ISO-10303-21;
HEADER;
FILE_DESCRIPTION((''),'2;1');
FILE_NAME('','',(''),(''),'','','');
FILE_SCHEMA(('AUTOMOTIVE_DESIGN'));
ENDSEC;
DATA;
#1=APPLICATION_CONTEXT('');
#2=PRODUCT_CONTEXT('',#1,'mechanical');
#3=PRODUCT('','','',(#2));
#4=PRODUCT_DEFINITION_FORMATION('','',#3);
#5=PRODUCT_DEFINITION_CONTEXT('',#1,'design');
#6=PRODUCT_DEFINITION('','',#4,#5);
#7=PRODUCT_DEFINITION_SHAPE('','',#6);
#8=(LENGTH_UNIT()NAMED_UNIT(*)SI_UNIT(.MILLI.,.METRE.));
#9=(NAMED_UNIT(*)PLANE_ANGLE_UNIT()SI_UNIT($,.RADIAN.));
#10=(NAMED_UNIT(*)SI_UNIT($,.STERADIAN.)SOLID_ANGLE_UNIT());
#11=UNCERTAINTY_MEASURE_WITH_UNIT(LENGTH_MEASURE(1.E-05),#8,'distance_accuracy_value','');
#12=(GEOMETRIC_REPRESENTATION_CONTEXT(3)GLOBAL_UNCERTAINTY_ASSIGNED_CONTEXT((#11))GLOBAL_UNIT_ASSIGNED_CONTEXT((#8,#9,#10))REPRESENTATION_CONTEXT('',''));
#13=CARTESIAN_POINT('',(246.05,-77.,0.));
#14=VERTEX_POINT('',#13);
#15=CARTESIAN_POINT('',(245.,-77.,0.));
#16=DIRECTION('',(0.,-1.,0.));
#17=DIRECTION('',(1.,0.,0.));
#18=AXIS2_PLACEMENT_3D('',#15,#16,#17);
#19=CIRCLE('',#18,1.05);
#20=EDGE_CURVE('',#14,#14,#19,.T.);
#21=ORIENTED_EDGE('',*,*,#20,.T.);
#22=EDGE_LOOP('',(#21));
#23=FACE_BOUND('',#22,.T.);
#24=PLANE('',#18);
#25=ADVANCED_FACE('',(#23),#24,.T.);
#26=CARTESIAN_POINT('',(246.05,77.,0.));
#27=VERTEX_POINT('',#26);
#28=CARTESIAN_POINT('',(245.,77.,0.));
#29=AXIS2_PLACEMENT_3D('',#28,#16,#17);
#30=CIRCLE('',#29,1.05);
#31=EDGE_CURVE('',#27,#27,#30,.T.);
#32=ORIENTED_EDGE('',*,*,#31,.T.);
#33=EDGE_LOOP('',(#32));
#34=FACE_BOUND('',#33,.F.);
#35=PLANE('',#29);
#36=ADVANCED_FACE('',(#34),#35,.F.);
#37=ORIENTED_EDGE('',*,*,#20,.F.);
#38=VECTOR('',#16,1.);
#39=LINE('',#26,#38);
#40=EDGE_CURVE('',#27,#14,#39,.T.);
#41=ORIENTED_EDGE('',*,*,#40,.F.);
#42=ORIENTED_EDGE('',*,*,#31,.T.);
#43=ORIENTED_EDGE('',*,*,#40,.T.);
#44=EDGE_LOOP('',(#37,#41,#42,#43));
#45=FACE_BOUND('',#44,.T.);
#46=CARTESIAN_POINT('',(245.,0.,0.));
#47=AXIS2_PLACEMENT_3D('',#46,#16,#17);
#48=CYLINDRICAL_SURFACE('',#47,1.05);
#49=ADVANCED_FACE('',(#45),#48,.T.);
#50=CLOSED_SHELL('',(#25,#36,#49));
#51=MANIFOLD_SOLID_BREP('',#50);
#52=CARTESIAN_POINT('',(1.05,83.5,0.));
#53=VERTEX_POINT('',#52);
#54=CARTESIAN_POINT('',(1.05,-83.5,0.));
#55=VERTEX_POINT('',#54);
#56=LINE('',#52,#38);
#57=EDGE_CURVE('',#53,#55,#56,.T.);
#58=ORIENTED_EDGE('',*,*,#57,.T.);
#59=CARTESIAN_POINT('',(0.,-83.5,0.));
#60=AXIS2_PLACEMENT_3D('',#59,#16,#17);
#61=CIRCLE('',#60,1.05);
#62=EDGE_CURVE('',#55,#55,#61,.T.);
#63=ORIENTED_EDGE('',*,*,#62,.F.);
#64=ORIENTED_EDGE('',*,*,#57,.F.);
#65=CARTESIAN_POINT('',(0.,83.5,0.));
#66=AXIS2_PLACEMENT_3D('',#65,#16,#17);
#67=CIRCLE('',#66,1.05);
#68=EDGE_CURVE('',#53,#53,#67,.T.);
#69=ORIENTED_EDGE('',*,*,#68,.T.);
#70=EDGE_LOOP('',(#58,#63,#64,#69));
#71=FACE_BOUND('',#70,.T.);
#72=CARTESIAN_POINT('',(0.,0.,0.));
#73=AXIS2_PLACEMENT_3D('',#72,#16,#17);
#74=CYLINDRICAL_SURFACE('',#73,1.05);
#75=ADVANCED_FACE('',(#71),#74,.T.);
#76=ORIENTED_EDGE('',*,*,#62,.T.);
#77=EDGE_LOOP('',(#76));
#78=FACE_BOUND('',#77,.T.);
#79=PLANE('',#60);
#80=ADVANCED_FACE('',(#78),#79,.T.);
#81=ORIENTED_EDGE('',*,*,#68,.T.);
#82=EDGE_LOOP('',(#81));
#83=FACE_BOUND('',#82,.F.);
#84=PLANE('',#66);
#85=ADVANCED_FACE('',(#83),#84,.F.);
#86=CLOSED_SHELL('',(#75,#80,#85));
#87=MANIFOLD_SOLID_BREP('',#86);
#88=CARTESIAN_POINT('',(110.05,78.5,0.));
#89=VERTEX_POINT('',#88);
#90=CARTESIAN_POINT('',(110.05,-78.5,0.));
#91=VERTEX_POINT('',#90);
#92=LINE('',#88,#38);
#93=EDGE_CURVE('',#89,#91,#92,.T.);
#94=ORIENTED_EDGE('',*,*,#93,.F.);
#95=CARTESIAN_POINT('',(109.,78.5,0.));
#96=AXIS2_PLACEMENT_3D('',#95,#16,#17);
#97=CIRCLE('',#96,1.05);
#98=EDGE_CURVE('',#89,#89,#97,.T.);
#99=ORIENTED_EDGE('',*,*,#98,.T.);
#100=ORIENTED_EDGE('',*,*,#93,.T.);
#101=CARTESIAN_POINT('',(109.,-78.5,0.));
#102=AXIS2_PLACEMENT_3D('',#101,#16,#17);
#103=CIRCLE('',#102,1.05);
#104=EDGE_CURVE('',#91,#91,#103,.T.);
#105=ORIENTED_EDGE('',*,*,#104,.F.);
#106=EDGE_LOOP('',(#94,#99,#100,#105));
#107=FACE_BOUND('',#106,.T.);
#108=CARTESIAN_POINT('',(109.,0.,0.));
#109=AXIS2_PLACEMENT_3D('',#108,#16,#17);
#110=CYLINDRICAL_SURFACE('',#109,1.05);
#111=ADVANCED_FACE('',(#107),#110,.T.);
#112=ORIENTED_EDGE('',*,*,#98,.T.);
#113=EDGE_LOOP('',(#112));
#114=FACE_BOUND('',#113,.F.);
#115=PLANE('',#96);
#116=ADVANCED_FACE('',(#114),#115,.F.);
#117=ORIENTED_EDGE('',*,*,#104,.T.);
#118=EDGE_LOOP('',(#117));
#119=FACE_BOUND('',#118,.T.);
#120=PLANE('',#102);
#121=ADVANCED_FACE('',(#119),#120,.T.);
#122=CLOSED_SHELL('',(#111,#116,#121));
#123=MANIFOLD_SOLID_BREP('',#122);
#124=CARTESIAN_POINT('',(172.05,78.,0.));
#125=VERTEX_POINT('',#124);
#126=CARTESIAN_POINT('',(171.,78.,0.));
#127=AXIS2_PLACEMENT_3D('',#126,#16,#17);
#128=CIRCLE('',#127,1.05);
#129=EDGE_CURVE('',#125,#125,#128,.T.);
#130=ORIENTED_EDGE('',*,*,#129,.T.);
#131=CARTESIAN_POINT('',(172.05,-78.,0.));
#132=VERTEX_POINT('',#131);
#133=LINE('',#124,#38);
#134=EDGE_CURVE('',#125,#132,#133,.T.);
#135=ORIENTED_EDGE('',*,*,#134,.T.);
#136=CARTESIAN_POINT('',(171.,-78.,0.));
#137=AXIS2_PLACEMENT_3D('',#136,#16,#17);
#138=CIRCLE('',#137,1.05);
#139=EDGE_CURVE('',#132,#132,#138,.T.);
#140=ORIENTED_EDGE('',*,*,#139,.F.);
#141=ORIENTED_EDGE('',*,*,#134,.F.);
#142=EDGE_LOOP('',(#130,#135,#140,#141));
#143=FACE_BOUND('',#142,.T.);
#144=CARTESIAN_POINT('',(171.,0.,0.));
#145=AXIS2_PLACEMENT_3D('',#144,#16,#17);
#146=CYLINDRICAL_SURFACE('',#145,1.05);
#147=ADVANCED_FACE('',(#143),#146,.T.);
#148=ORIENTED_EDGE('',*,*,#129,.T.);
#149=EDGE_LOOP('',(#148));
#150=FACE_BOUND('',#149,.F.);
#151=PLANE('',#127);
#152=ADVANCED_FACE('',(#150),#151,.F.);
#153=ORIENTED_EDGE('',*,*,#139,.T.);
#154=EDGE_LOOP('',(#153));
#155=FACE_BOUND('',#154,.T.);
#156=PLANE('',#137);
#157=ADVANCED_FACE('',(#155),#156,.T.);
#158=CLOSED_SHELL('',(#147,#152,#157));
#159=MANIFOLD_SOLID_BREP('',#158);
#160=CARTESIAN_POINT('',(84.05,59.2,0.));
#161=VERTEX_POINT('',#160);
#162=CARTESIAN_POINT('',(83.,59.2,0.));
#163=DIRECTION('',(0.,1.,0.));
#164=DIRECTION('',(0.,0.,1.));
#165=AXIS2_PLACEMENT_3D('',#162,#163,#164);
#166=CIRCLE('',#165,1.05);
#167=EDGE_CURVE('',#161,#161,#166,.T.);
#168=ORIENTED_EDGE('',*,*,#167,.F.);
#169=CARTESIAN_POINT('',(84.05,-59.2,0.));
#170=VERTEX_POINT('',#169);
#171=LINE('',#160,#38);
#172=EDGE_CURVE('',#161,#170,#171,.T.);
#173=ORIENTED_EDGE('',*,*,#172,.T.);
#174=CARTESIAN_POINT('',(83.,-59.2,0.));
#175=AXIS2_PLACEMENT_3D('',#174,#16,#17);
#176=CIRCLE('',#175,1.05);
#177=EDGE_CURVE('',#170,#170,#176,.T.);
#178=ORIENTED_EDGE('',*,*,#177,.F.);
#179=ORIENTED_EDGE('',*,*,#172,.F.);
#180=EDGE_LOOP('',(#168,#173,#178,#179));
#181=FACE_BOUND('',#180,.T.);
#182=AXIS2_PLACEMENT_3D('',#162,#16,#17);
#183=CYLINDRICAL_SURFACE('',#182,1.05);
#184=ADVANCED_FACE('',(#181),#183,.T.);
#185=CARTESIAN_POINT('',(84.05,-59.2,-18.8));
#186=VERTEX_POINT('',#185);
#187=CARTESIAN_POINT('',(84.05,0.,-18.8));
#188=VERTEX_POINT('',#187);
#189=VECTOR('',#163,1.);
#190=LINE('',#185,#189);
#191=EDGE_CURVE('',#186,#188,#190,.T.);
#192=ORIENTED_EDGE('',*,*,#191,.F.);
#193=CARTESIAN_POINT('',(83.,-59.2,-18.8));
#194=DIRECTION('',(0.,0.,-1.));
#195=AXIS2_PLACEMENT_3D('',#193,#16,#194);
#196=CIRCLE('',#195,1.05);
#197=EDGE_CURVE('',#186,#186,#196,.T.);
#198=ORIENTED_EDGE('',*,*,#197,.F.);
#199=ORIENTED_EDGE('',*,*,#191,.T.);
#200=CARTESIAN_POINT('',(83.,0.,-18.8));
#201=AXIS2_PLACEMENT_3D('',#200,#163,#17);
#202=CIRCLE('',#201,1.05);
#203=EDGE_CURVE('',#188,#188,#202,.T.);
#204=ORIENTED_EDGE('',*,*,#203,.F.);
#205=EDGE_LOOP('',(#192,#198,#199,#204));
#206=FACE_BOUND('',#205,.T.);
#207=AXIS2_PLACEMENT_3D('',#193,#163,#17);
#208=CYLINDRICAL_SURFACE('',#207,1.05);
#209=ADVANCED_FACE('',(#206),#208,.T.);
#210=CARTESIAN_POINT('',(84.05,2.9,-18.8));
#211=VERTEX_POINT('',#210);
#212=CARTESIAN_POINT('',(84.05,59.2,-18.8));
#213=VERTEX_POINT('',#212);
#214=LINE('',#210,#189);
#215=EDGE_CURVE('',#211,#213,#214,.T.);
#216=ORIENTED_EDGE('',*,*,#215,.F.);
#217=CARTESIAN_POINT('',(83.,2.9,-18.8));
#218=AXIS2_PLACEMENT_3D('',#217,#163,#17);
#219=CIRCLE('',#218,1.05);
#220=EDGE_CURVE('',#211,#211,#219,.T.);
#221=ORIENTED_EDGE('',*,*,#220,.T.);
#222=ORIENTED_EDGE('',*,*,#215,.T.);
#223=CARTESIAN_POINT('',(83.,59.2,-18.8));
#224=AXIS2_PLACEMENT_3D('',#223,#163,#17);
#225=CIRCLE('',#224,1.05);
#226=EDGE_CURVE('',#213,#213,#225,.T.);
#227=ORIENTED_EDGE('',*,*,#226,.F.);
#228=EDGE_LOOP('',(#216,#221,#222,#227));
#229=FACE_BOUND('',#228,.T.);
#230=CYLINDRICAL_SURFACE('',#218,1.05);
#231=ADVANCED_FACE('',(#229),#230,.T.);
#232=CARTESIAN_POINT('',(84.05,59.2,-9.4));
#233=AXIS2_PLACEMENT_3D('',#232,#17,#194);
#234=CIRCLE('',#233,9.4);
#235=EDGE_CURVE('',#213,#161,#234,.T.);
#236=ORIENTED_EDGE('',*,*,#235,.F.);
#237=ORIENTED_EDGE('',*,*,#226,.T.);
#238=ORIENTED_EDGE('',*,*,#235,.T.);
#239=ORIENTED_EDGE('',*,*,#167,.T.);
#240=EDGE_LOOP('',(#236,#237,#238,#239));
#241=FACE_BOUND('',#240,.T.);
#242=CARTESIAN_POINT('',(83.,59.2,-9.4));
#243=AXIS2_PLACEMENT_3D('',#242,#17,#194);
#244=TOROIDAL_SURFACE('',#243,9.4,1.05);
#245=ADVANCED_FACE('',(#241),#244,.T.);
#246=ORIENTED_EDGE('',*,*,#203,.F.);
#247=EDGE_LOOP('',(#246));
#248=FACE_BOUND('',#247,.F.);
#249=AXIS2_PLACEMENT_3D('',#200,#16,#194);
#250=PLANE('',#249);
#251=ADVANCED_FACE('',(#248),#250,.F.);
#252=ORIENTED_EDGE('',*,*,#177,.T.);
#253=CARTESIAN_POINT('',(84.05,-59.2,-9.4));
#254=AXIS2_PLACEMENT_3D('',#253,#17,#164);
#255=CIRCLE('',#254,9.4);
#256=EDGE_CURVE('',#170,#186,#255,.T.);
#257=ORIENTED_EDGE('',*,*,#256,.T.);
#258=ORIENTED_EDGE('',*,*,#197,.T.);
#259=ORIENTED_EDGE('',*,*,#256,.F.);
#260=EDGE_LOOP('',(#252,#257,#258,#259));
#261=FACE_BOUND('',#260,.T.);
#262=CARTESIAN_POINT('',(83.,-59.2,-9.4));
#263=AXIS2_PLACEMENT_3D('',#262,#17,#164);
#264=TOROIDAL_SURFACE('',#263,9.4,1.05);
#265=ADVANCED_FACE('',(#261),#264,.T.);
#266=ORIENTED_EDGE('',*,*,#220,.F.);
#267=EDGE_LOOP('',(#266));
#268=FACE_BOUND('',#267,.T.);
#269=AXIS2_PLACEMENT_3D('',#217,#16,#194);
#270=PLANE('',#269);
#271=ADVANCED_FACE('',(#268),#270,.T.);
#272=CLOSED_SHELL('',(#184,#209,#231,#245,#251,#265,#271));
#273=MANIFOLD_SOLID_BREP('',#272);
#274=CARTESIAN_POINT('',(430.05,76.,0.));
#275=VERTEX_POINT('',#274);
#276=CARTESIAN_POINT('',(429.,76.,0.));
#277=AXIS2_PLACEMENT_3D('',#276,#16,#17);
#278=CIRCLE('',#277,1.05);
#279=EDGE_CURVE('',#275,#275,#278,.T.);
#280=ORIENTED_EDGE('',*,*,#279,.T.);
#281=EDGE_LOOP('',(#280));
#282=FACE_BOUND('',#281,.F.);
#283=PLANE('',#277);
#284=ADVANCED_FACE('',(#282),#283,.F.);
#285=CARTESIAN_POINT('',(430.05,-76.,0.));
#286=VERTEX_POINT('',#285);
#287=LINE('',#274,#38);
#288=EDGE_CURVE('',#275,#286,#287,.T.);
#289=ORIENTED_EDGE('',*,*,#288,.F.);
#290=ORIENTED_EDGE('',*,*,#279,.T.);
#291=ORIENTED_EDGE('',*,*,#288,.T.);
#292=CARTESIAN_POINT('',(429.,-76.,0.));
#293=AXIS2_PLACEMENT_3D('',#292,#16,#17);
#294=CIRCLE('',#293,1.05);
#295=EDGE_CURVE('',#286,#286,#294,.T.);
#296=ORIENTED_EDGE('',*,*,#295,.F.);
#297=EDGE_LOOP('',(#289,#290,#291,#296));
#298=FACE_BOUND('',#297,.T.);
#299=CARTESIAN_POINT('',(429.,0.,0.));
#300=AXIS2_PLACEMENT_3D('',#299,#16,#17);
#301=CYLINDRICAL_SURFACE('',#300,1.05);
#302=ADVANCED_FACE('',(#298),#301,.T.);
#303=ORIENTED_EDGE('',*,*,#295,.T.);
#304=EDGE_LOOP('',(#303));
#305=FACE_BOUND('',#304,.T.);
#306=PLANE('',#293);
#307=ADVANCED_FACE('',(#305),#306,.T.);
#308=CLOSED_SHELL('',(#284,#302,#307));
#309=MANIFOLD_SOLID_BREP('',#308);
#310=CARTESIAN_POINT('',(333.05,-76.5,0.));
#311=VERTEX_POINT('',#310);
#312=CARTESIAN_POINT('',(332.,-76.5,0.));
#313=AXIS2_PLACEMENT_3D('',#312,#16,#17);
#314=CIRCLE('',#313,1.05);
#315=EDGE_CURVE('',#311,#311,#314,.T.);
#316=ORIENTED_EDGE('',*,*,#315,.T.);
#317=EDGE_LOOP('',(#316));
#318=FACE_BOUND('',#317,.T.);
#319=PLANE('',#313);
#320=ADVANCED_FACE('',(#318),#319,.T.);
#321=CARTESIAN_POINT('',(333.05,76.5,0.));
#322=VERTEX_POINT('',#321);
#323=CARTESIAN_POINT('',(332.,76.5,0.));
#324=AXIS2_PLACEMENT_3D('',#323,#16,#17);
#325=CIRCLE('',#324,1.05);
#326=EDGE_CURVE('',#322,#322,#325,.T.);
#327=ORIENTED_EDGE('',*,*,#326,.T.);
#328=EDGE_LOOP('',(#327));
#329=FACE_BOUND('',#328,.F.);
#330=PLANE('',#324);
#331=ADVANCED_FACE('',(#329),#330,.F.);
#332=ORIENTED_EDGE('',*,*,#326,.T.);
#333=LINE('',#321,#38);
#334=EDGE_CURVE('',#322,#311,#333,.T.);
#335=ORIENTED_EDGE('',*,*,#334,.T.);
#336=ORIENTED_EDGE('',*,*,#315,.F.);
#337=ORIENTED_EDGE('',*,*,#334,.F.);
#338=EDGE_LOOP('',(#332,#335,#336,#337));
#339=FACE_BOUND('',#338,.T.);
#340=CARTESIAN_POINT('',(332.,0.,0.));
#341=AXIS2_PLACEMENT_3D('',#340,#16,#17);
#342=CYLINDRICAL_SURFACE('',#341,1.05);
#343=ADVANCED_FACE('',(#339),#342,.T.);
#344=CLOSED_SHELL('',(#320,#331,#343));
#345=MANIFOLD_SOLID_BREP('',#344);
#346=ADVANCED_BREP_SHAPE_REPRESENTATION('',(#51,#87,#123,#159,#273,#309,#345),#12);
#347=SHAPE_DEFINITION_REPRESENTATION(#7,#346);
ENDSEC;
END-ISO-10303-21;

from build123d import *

# Parameters (mm, degrees)
SKETCH_R     = 1.05
PAD_DEPTH    = 83.5
SKETCH001_R  = 1.05
PAD001_DEPTH = 78.5
SKETCH002_R  = 1.05
PAD002_DEPTH = 78
SKETCH003_R  = 1.05
PAD003_DEPTH = 77
SKETCH004_R  = 1.05
PAD004_DEPTH = 76.5
SKETCH005_R  = 1.05
PAD005_DEPTH = 76
SKETCH007_R  = 1.05


with BuildPart() as reflector:
    # Sketch → Pad (new body, symmetric)
    with BuildSketch(Plane.XZ):
        Circle(SKETCH_R)
    extrude(amount=PAD_DEPTH, both=True)


with BuildPart() as primer_director:
    # Sketch001 → Pad001 (new body, symmetric)
    with BuildSketch(Plane.XZ):
        with Locations((109, 0)):
            Circle(SKETCH001_R)
    extrude(amount=PAD001_DEPTH, both=True)


with BuildPart() as segundo_director:
    # Sketch002 → Pad002 (new body, symmetric)
    with BuildSketch(Plane.XZ):
        with Locations((171, 0)):
            Circle(SKETCH002_R)
    extrude(amount=PAD002_DEPTH, both=True)


with BuildPart() as tercer_director:
    # Sketch003 → Pad003 (new body, symmetric)
    with BuildSketch(Plane.XZ):
        with Locations((245, 0)):
            Circle(SKETCH003_R)
    extrude(amount=PAD003_DEPTH, both=True)


with BuildPart() as cuarto_director:
    # Sketch004 → Pad004 (new body, symmetric)
    with BuildSketch(Plane.XZ):
        with Locations((332, 0)):
            Circle(SKETCH004_R)
    extrude(amount=PAD004_DEPTH, both=True)


with BuildPart() as quinto_director:
    # Sketch005 → Pad005 (new body, symmetric)
    with BuildSketch(Plane.XZ):
        with Locations((429, 0)):
            Circle(SKETCH005_R)
    extrude(amount=PAD005_DEPTH, both=True)


with BuildPart() as dipolo_cuerpo:
    # AdditivePipe: sweep along a path in Sketch006
    with BuildLine(Plane.YZ.offset(83)) as additivepipe_path:
        Line((2.9, -18.8), (59.2, -18.8))
        ThreePointArc((59.2, -18.8), (68.6, -9.4), (59.2, 0))
        Line((59.2, 0), (-59.2, 0))
        ThreePointArc((-59.2, 0), (-68.6, -9.4), (-59.2, -18.8))
        Line((-59.2, -18.8), (0, -18.8))
    # Sketch007 → AdditivePipe (sweep)
    with BuildSketch(Plane(origin=(15.745148, 2.9, -20.31305), x_dir=(1, 0, 0), z_dir=(0, -1, 0))):
        with Locations((67.254852, 1.51305)):
            Circle(SKETCH007_R)
    sweep(path=additivepipe_path.line)


solid = Compound([reflector.part, primer_director.part, segundo_director.part, tercer_director.part, cuarto_director.part, quinto_director.part, dipolo_cuerpo.part])
